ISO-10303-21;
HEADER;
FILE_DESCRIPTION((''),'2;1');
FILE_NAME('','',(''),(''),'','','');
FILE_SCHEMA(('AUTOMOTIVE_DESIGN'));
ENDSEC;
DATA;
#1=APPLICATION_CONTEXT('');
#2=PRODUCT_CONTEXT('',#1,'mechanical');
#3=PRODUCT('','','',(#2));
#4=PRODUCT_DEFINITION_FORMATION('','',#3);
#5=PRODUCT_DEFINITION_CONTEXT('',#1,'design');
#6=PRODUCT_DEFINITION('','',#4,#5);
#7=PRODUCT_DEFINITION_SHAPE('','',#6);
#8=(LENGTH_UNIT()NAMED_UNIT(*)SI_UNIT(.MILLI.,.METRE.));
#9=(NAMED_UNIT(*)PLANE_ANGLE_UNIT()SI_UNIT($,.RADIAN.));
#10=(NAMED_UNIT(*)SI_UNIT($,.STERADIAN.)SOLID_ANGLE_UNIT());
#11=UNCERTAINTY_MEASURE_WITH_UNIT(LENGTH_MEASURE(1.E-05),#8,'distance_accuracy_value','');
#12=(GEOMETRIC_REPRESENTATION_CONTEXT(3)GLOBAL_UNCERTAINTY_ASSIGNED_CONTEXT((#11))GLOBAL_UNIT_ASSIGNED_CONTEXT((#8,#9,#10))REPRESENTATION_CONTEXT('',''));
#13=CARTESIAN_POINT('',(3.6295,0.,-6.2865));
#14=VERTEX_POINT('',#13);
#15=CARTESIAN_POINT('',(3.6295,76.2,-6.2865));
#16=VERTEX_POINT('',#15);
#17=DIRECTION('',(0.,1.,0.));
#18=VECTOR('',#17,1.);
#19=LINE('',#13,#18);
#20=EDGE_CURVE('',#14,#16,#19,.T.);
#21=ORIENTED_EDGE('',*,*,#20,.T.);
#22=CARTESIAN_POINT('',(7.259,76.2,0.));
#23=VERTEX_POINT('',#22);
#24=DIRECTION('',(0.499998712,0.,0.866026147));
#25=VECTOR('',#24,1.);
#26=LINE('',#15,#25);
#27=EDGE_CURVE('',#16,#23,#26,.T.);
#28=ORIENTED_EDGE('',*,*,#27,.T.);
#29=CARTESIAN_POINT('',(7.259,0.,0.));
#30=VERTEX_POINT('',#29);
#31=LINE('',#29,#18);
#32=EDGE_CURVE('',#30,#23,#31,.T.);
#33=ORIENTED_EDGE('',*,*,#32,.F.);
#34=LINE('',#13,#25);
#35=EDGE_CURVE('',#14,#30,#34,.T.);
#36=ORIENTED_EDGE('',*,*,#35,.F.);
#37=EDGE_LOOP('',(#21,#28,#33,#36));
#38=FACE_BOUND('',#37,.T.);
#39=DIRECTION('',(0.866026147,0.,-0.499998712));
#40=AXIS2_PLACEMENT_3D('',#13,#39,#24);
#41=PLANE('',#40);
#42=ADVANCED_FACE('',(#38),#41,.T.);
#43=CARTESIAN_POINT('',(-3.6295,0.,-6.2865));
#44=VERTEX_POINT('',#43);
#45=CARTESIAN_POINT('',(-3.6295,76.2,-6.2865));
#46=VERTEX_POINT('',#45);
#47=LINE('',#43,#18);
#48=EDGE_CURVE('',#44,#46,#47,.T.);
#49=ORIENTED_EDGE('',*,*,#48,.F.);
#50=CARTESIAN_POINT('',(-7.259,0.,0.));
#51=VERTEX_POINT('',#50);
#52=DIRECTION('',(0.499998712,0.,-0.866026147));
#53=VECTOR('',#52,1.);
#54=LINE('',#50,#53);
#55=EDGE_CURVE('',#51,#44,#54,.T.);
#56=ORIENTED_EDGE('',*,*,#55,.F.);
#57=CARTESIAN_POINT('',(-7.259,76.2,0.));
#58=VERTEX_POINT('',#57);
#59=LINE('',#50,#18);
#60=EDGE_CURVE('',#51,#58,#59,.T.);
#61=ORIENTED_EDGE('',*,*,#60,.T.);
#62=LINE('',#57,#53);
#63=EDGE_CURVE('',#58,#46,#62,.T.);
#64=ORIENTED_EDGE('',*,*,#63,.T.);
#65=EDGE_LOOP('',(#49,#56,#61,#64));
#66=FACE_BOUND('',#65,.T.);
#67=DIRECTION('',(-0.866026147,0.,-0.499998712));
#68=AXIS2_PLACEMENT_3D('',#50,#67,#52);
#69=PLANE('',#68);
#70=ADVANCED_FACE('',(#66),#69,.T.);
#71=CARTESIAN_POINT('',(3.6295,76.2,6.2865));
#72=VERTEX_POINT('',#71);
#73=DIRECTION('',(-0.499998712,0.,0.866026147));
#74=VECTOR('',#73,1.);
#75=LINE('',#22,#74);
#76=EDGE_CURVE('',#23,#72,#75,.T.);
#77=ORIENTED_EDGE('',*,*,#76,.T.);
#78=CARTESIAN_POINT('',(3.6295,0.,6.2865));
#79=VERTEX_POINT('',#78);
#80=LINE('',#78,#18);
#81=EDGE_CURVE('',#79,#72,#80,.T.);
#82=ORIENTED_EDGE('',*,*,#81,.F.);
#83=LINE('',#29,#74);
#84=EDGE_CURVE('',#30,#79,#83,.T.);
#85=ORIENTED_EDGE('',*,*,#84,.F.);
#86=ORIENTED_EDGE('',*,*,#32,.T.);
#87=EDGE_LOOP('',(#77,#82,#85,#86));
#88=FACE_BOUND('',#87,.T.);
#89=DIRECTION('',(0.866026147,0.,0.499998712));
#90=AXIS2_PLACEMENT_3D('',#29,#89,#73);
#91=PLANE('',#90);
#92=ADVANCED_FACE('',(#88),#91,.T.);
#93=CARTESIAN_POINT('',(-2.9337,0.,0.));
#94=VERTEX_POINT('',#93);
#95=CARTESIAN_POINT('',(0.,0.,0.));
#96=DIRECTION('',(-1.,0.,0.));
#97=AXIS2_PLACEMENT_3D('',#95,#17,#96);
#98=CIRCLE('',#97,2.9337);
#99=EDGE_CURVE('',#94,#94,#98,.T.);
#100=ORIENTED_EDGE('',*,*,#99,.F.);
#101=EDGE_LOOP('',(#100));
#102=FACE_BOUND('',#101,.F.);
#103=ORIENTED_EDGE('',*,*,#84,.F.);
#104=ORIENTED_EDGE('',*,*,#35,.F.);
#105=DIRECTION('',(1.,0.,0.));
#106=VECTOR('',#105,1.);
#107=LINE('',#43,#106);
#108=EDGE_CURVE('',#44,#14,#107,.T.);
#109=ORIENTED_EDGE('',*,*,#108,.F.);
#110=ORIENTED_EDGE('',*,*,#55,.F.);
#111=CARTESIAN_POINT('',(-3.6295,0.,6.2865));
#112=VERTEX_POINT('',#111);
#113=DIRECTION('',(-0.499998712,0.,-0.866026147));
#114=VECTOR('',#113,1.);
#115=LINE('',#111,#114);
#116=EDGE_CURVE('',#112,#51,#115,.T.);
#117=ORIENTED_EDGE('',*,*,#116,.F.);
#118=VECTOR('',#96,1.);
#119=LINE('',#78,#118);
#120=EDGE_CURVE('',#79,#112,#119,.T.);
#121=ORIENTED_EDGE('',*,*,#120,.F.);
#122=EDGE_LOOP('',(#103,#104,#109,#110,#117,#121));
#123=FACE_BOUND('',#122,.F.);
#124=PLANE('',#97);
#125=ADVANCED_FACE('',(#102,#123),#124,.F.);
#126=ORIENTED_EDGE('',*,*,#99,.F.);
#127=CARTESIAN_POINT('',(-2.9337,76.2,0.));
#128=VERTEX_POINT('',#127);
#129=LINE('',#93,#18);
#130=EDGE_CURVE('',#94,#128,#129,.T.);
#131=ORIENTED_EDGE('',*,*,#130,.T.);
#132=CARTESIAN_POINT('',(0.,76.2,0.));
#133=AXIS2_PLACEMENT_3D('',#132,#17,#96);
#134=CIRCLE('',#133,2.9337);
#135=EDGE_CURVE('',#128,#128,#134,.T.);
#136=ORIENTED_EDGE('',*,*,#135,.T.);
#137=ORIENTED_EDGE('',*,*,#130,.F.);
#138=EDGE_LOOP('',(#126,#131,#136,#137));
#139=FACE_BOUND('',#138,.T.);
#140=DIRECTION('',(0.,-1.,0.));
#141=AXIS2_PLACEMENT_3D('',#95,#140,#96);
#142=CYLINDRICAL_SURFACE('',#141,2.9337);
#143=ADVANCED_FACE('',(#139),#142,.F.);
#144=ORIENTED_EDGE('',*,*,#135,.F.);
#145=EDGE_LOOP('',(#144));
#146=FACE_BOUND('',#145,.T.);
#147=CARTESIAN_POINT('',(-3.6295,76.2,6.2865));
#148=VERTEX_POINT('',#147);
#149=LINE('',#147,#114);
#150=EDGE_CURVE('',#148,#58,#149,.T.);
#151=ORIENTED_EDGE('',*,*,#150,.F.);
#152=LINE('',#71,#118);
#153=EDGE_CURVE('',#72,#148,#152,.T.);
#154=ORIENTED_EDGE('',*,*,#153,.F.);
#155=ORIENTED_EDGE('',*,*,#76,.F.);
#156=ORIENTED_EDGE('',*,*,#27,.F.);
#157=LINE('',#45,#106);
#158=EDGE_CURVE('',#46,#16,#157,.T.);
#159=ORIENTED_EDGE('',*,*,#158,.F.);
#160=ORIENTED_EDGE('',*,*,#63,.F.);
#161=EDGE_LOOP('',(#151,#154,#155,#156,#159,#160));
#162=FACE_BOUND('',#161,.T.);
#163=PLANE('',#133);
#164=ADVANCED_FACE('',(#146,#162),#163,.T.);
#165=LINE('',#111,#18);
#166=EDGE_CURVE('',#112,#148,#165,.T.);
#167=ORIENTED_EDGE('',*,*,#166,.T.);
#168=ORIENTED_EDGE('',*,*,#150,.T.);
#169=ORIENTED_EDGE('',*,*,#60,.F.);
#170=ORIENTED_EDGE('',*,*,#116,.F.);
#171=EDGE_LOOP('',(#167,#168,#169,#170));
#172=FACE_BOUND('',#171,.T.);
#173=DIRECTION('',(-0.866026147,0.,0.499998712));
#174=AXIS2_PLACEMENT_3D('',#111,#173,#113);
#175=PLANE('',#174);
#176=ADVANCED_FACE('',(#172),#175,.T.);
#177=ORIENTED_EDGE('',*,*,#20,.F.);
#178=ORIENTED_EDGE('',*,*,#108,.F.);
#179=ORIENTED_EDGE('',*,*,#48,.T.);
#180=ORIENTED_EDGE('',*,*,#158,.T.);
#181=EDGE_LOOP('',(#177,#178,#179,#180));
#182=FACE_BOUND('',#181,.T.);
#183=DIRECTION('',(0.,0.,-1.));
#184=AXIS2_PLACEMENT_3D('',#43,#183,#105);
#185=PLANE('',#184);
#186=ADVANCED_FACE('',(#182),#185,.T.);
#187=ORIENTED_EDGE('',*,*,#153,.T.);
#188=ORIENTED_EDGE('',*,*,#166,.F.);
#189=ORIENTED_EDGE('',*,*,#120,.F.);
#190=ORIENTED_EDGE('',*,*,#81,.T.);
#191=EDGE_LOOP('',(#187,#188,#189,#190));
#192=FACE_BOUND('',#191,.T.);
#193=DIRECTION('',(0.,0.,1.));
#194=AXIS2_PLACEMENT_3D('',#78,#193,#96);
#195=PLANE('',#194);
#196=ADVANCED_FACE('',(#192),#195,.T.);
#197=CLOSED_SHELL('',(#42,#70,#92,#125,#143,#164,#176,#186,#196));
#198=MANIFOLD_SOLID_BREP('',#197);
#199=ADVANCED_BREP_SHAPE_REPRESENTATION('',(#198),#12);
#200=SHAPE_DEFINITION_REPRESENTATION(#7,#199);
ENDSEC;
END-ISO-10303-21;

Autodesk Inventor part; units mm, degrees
ref_plane "YZ Plane" through (0, 0, 0) normal (1, 0, 0) x (0, 1, 0)
ref_plane "XZ Plane" through (0, 0, 0) normal (0, 1, 0) x (-1, 0, 0)
ref_plane "XY Plane" through (0, 0, 0) normal (0, 0, 1) x (1, 0, 0)
sketch "Sketch1" plane through (0, 0, 0) normal (0, 1, 0) x (-1, 0, 0)
  circle A0 centre (0, 0) radius 2.9337
  line L0 (-3.6295, -6.2865) -> (-7.259, 0)
  line L1 (-7.259, 0) -> (-3.6295, 6.2865)
  line L2 (-3.6295, 6.2865) -> (3.6295, 6.2865)
  line L3 (3.6295, 6.2865) -> (7.259, 0)
  line L4 (7.259, 0) -> (3.6295, -6.2865)
  line L5 (3.6295, -6.2865) -> (-3.6295, -6.2865)
  dimension "d0" = 5.8674
  dimension "d1" = 6.2865
extrude "Extrusion1" add sketch "Sketch1" along normal blind 76.2
properties part number "3 in churro" material "Aluminum 6061"
